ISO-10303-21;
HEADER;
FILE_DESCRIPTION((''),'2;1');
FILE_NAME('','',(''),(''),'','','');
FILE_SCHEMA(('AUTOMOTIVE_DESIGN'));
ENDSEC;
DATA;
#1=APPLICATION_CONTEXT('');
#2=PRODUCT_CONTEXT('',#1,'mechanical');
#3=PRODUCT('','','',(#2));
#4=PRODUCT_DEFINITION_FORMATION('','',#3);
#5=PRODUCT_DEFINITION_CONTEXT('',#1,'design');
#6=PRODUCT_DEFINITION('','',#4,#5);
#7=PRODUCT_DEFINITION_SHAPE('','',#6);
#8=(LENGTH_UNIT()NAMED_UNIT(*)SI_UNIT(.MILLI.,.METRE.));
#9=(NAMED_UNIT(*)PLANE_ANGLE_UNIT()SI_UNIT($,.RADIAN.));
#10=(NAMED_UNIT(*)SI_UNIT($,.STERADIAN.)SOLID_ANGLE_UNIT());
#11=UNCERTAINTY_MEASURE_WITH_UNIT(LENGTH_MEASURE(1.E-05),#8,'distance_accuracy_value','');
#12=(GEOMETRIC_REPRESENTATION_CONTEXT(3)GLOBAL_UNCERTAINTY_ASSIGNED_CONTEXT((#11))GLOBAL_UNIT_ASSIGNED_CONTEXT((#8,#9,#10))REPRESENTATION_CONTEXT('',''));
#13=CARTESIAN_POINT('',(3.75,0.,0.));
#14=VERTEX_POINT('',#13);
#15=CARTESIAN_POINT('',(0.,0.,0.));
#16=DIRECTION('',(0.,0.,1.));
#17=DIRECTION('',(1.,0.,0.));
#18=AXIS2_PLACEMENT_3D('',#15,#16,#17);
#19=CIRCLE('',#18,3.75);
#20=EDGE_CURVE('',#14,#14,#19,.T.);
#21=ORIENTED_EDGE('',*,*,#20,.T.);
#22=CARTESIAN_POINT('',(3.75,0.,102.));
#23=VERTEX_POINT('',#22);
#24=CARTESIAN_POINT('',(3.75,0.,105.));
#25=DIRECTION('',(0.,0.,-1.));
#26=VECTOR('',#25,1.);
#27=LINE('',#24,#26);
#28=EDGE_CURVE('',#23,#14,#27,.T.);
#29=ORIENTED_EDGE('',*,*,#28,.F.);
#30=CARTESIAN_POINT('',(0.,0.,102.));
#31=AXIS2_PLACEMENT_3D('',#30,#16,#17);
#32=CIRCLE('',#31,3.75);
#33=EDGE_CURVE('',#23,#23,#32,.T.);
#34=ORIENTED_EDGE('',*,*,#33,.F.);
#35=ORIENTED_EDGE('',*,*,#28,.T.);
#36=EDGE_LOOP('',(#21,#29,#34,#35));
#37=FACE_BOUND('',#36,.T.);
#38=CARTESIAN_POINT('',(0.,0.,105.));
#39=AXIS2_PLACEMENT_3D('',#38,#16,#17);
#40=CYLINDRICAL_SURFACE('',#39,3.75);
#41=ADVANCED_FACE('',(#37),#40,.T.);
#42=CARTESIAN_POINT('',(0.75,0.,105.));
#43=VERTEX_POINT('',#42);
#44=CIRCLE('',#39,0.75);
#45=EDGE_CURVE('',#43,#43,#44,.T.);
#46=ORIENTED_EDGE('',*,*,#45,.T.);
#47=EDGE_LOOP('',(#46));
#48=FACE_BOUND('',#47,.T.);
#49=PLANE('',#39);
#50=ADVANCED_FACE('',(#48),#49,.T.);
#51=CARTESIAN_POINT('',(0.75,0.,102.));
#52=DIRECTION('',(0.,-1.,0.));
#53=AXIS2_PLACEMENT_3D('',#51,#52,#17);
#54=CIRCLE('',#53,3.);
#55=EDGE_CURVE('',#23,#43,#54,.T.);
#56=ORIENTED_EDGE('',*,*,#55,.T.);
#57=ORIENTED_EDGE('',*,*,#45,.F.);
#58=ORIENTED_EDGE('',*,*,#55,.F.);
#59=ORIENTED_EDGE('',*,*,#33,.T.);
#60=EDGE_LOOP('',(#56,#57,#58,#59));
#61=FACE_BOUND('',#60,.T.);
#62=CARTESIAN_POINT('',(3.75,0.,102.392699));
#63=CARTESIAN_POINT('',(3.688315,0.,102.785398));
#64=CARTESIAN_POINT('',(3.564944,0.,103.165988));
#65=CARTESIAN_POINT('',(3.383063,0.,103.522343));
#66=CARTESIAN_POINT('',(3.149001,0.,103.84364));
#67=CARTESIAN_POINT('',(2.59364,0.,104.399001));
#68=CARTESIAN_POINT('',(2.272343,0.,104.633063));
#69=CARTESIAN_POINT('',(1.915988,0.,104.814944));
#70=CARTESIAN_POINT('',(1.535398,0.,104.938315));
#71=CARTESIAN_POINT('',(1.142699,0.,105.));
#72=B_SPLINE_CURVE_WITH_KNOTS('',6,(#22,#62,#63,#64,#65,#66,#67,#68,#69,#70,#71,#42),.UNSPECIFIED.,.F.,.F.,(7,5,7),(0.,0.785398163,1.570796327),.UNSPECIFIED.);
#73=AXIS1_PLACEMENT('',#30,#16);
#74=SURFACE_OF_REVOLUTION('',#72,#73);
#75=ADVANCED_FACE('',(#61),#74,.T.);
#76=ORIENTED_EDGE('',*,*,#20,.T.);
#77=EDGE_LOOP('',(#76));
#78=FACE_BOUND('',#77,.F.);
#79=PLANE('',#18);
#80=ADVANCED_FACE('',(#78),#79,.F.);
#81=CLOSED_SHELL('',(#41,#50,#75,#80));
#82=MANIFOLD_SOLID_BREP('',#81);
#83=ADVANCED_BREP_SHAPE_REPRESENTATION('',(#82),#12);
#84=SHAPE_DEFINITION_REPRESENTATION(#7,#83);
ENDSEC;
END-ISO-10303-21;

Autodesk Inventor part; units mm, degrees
ref_plane "YZ Plane" through (0, 0, 0) normal (1, 0, 0) x (0, 1, 0)
ref_plane "XZ Plane" through (0, 0, 0) normal (0, 1, 0) x (-1, 0, 0)
ref_plane "XY Plane" through (0, 0, 0) normal (0, 0, 1) x (1, 0, 0)
sketch "Sketch1" plane through (0, 0, 0) normal (0, 0, 1) x (1, 0, 0)
  circle A0 centre (0, 0) radius 2.5
  dimension "d0" = 5
extrude "Extrusion1" add sketch "Sketch1" along normal blind 105
sketch "Sketch2" plane through (0, 0, 105) normal (0, 0, 1) x (1, 0, 0)
  circle A0 centre (0, 0) radius 2.5 projected
  circle A1 centre (0, 0) radius 2.5
  circle A2 centre (0, 0) radius 3.75
  dimension "d3" = 7.5
extrude "Extrusion2" add sketch "Sketch2" against normal blind 105
fillet "Fillet1" radius 3 1 edges at (-3.75, 0, 105)
properties part number "Line"
